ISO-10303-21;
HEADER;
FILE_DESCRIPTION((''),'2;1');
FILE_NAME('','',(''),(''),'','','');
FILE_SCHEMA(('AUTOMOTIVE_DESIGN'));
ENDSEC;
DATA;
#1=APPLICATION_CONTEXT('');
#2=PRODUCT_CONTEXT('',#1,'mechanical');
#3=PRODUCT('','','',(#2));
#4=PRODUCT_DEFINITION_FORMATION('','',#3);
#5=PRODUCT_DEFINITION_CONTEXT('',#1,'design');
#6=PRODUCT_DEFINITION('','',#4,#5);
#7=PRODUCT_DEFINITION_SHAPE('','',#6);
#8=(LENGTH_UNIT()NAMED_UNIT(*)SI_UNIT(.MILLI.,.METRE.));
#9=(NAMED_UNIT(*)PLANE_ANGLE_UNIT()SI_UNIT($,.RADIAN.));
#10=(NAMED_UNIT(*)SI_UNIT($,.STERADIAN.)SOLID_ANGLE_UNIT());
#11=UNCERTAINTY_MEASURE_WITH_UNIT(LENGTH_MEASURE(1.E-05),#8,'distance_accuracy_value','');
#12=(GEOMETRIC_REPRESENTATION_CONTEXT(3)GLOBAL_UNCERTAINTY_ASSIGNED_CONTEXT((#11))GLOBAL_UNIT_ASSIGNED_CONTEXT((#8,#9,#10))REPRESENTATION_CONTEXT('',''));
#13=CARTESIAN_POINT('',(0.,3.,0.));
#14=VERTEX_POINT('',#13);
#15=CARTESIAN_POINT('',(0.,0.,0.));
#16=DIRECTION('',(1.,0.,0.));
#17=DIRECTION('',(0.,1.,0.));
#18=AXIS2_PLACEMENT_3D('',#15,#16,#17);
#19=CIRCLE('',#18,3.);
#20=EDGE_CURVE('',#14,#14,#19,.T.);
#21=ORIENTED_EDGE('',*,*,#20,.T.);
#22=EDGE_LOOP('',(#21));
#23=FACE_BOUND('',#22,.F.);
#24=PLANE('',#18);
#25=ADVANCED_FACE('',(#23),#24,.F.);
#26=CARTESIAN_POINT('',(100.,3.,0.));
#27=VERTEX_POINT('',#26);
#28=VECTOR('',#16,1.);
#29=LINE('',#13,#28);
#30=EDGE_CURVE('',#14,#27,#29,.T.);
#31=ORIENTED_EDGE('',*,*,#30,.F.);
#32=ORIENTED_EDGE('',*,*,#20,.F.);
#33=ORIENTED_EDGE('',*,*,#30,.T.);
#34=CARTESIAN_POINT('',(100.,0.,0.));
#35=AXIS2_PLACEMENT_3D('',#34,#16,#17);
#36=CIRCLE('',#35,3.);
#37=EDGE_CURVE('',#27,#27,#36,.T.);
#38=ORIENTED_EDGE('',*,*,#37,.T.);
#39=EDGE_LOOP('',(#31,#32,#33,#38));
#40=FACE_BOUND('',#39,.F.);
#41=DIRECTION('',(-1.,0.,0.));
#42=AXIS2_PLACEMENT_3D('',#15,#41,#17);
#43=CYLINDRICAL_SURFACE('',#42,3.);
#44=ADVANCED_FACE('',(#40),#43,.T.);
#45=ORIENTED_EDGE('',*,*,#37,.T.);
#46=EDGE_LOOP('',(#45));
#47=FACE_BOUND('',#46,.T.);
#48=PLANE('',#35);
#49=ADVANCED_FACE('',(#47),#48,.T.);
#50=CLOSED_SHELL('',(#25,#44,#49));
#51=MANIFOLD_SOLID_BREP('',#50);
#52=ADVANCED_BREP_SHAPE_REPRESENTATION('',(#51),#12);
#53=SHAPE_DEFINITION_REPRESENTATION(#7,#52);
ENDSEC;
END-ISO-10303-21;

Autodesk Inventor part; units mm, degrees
ref_plane "YZ Plane" through (0, 0, 0) normal (1, 0, 0) x (0, 1, 0)
ref_plane "XZ Plane" through (0, 0, 0) normal (0, 1, 0) x (-1, 0, 0)
ref_plane "XY Plane" through (0, 0, 0) normal (0, 0, 1) x (1, 0, 0)
sketch "Sketch1" plane through (0, 0, 0) normal (1, 0, 0) x (0, 1, 0)
  circle A0 centre (0, 0) radius 3
  dimension "d0" = 6
extrude "Extrusion1" add sketch "Sketch1" along normal blind 100
properties part number "6mm rod"
